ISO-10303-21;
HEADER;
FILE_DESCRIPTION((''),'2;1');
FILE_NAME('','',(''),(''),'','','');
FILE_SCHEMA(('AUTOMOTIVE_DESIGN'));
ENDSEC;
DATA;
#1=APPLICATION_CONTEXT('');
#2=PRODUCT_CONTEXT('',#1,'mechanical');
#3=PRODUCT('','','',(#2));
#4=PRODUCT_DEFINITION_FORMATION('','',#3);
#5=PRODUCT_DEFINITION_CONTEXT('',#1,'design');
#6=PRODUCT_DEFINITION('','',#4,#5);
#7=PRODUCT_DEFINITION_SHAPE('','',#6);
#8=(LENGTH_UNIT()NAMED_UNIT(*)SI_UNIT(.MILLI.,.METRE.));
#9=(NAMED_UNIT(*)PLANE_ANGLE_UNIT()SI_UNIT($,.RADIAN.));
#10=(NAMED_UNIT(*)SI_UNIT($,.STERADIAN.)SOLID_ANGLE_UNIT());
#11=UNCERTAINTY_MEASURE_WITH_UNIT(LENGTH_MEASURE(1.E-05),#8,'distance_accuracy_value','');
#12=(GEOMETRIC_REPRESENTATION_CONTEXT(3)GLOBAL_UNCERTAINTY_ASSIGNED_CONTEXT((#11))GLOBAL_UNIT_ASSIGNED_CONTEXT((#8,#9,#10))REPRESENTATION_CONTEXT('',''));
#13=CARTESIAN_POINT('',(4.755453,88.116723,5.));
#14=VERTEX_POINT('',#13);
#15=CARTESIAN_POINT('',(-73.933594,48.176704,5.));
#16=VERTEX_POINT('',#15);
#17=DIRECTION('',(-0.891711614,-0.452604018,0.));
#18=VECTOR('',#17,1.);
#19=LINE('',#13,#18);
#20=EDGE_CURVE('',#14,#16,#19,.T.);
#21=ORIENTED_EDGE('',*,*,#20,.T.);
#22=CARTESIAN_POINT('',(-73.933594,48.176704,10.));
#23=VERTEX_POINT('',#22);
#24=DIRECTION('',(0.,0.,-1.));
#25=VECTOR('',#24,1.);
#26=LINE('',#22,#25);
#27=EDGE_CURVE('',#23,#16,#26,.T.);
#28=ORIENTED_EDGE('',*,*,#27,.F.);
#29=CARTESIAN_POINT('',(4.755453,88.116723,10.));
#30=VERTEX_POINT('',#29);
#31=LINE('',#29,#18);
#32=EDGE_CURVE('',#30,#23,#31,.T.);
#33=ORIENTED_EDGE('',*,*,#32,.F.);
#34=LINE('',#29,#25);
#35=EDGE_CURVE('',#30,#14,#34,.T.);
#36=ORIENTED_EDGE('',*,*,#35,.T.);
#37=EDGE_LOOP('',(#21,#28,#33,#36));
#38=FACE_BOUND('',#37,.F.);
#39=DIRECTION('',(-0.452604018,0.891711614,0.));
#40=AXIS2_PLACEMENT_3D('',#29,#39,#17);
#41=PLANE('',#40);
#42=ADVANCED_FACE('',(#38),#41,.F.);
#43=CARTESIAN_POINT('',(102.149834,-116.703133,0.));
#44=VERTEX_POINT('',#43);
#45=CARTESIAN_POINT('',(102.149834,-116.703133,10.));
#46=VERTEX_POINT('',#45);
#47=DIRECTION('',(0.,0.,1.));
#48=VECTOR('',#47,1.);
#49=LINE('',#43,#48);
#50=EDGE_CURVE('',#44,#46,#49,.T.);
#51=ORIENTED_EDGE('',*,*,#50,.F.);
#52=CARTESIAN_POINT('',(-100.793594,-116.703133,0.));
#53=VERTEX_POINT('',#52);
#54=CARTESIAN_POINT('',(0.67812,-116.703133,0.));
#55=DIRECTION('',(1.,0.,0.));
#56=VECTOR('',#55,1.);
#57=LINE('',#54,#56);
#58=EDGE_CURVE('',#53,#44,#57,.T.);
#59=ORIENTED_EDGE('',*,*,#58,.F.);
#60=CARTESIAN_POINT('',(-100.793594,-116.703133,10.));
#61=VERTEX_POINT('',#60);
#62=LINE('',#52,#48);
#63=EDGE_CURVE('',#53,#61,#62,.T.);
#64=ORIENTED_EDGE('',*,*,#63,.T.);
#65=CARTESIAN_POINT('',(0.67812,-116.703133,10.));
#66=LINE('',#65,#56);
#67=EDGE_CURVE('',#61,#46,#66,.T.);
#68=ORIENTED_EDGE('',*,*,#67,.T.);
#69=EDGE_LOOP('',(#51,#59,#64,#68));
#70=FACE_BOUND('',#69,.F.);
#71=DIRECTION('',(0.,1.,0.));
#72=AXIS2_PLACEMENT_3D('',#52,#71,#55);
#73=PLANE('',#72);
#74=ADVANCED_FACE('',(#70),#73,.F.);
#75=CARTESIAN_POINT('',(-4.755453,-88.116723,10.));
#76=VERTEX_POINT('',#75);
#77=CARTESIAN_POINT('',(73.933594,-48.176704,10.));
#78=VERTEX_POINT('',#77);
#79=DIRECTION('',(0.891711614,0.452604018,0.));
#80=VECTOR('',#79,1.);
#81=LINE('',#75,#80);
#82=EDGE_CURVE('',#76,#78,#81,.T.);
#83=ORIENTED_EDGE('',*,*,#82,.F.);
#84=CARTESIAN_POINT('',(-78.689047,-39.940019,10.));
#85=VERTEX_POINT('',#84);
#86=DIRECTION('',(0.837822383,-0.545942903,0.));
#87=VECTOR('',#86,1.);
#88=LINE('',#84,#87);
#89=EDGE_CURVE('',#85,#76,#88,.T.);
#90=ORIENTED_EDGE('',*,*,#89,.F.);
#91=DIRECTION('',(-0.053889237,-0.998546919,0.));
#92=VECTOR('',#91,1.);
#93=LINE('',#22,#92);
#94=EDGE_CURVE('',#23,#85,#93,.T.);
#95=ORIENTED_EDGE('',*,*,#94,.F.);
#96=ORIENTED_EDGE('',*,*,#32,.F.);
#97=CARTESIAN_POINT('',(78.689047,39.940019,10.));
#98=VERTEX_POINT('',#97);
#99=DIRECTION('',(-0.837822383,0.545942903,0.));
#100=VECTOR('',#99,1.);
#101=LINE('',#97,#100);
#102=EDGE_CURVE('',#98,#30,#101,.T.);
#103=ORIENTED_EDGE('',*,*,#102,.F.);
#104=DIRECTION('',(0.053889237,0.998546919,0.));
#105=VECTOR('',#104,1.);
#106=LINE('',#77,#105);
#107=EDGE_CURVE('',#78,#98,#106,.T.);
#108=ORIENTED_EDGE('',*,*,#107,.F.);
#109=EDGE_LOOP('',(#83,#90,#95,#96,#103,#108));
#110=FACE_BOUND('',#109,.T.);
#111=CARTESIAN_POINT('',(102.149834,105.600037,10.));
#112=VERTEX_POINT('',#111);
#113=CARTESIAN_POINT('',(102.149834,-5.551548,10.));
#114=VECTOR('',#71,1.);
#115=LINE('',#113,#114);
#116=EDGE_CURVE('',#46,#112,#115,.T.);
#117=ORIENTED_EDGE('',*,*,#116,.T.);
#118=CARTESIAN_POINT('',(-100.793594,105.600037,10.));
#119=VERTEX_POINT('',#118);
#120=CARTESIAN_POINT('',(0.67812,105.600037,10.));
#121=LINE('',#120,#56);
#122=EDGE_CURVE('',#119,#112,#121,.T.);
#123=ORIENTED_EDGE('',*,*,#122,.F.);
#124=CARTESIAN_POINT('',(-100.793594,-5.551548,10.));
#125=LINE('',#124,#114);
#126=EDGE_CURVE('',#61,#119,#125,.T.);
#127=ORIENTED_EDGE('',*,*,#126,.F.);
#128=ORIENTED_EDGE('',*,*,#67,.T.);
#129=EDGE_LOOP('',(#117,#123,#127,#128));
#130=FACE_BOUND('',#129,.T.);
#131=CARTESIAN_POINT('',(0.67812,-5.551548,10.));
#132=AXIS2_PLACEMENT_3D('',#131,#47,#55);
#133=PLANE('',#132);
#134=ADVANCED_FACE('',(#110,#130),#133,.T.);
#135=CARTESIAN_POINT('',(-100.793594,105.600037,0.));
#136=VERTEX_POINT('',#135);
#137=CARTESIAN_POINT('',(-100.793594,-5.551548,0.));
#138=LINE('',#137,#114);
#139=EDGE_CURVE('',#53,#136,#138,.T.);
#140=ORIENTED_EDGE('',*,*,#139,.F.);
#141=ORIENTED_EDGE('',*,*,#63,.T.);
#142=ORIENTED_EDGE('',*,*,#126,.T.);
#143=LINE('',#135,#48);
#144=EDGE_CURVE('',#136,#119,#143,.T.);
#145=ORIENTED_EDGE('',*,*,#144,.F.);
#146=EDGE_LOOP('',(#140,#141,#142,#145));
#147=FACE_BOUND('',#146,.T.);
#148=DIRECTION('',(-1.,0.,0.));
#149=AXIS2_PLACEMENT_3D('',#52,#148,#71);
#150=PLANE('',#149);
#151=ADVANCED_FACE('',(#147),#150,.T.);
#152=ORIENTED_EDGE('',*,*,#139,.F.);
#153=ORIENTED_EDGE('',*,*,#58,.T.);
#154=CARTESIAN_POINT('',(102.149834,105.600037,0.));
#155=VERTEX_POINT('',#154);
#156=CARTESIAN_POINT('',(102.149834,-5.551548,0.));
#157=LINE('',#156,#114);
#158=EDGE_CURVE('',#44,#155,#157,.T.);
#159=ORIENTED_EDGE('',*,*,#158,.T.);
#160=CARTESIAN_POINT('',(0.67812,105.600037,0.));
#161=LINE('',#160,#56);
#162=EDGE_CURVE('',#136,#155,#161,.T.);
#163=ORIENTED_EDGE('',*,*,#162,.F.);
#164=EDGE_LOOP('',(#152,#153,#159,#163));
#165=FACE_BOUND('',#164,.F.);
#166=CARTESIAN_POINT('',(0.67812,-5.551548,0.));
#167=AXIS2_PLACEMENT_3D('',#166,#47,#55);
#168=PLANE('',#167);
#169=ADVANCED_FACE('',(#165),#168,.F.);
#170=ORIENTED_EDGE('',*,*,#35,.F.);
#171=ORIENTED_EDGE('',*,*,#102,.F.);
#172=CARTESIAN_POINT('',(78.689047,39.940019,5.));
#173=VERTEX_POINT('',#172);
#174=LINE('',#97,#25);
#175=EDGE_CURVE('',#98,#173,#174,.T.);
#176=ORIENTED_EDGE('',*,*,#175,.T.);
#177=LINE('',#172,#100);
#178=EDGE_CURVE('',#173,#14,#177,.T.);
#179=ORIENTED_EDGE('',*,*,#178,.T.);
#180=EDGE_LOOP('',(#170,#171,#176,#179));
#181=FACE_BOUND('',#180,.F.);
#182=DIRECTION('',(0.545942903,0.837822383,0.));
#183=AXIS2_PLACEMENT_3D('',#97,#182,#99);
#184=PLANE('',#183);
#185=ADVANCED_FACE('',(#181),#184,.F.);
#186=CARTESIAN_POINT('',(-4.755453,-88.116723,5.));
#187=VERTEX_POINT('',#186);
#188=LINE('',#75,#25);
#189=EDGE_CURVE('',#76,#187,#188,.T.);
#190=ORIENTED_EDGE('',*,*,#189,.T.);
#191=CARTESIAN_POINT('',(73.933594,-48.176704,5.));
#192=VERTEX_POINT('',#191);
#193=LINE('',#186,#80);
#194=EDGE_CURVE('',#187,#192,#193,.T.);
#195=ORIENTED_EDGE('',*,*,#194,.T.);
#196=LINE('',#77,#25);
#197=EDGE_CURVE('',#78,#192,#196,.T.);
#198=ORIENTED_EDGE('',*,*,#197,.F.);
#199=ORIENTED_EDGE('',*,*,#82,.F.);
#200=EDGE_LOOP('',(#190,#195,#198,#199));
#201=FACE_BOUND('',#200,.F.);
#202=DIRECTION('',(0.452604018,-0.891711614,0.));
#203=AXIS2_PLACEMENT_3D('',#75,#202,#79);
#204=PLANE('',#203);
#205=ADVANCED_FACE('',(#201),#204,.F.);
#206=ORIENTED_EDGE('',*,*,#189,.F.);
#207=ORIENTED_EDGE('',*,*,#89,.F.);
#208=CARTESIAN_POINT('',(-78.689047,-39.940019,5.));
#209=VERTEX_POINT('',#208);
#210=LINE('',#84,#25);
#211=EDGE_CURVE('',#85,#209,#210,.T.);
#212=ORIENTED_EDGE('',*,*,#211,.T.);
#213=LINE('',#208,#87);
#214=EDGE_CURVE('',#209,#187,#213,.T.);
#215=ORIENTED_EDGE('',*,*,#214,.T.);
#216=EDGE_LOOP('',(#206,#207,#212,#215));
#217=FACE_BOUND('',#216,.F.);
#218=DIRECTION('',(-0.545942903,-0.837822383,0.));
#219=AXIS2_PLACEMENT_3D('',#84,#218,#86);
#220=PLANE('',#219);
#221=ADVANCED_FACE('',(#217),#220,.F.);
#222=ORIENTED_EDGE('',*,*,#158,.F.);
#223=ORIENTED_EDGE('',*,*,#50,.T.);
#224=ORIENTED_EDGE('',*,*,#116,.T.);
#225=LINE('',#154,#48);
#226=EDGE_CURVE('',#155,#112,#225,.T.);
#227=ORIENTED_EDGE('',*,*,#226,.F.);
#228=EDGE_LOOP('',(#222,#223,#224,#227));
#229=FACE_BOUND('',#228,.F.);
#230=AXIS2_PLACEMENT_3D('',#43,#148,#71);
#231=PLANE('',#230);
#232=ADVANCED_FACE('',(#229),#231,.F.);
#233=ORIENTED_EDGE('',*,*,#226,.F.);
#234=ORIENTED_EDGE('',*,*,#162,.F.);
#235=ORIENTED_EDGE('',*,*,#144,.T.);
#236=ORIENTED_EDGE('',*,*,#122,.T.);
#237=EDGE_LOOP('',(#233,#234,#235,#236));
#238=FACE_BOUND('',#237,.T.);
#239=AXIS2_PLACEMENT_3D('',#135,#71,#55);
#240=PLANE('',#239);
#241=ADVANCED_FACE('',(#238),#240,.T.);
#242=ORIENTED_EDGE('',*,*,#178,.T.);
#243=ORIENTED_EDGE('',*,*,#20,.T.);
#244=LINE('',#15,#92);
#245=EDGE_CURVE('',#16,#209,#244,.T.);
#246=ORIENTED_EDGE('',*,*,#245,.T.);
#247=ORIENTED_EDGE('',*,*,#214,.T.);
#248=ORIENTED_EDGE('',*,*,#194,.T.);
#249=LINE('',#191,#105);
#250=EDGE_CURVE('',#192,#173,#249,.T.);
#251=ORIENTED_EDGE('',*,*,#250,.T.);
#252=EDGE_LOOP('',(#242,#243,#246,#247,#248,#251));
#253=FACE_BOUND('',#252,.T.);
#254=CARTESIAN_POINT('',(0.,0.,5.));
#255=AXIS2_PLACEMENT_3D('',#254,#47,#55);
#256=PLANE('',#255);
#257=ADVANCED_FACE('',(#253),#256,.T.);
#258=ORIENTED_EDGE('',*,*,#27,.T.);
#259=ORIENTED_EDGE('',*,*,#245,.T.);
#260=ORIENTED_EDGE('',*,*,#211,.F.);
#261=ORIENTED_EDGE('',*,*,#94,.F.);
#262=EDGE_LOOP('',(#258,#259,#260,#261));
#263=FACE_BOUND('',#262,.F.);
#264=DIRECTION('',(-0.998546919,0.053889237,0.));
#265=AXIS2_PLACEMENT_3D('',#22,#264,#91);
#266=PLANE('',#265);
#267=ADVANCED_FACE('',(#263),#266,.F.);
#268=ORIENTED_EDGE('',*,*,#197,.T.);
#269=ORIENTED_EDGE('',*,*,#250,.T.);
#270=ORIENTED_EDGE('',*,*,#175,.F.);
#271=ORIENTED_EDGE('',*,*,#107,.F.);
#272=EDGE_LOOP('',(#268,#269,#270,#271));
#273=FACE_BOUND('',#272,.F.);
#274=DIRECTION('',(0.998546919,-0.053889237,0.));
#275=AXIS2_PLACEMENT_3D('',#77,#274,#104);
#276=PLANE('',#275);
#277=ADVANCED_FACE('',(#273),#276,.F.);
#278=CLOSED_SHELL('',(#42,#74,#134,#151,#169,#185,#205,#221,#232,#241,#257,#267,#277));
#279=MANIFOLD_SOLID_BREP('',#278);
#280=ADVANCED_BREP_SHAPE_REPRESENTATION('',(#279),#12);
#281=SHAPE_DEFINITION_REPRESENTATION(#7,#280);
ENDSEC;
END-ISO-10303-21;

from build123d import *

# Parameters (mm, degrees)
SKETCH_W     = 202.943428
SKETCH_H     = 222.30317
PAD_DEPTH    = 10
POCKET_DEPTH = 5


with BuildPart() as part:
    # Sketch → Pad (new body)
    with BuildSketch(Plane.XY):
        with Locations((0.67812, -5.551548)):
            Rectangle(SKETCH_W, SKETCH_H)
    extrude(amount=PAD_DEPTH)

    # Sketch001 (on Face6 of Pad) → Pocket (cut)
    with BuildSketch(Plane.XY.offset(10)):
        Polygon((73.933594, -48.176704), (78.689047, 39.940019), (4.755453, 88.116723), (-73.933594, 48.176704), (-78.689047, -39.940019), (-4.755453, -88.116723), align=None)
    extrude(amount=-POCKET_DEPTH, mode=Mode.SUBTRACT)


solid = part.part
